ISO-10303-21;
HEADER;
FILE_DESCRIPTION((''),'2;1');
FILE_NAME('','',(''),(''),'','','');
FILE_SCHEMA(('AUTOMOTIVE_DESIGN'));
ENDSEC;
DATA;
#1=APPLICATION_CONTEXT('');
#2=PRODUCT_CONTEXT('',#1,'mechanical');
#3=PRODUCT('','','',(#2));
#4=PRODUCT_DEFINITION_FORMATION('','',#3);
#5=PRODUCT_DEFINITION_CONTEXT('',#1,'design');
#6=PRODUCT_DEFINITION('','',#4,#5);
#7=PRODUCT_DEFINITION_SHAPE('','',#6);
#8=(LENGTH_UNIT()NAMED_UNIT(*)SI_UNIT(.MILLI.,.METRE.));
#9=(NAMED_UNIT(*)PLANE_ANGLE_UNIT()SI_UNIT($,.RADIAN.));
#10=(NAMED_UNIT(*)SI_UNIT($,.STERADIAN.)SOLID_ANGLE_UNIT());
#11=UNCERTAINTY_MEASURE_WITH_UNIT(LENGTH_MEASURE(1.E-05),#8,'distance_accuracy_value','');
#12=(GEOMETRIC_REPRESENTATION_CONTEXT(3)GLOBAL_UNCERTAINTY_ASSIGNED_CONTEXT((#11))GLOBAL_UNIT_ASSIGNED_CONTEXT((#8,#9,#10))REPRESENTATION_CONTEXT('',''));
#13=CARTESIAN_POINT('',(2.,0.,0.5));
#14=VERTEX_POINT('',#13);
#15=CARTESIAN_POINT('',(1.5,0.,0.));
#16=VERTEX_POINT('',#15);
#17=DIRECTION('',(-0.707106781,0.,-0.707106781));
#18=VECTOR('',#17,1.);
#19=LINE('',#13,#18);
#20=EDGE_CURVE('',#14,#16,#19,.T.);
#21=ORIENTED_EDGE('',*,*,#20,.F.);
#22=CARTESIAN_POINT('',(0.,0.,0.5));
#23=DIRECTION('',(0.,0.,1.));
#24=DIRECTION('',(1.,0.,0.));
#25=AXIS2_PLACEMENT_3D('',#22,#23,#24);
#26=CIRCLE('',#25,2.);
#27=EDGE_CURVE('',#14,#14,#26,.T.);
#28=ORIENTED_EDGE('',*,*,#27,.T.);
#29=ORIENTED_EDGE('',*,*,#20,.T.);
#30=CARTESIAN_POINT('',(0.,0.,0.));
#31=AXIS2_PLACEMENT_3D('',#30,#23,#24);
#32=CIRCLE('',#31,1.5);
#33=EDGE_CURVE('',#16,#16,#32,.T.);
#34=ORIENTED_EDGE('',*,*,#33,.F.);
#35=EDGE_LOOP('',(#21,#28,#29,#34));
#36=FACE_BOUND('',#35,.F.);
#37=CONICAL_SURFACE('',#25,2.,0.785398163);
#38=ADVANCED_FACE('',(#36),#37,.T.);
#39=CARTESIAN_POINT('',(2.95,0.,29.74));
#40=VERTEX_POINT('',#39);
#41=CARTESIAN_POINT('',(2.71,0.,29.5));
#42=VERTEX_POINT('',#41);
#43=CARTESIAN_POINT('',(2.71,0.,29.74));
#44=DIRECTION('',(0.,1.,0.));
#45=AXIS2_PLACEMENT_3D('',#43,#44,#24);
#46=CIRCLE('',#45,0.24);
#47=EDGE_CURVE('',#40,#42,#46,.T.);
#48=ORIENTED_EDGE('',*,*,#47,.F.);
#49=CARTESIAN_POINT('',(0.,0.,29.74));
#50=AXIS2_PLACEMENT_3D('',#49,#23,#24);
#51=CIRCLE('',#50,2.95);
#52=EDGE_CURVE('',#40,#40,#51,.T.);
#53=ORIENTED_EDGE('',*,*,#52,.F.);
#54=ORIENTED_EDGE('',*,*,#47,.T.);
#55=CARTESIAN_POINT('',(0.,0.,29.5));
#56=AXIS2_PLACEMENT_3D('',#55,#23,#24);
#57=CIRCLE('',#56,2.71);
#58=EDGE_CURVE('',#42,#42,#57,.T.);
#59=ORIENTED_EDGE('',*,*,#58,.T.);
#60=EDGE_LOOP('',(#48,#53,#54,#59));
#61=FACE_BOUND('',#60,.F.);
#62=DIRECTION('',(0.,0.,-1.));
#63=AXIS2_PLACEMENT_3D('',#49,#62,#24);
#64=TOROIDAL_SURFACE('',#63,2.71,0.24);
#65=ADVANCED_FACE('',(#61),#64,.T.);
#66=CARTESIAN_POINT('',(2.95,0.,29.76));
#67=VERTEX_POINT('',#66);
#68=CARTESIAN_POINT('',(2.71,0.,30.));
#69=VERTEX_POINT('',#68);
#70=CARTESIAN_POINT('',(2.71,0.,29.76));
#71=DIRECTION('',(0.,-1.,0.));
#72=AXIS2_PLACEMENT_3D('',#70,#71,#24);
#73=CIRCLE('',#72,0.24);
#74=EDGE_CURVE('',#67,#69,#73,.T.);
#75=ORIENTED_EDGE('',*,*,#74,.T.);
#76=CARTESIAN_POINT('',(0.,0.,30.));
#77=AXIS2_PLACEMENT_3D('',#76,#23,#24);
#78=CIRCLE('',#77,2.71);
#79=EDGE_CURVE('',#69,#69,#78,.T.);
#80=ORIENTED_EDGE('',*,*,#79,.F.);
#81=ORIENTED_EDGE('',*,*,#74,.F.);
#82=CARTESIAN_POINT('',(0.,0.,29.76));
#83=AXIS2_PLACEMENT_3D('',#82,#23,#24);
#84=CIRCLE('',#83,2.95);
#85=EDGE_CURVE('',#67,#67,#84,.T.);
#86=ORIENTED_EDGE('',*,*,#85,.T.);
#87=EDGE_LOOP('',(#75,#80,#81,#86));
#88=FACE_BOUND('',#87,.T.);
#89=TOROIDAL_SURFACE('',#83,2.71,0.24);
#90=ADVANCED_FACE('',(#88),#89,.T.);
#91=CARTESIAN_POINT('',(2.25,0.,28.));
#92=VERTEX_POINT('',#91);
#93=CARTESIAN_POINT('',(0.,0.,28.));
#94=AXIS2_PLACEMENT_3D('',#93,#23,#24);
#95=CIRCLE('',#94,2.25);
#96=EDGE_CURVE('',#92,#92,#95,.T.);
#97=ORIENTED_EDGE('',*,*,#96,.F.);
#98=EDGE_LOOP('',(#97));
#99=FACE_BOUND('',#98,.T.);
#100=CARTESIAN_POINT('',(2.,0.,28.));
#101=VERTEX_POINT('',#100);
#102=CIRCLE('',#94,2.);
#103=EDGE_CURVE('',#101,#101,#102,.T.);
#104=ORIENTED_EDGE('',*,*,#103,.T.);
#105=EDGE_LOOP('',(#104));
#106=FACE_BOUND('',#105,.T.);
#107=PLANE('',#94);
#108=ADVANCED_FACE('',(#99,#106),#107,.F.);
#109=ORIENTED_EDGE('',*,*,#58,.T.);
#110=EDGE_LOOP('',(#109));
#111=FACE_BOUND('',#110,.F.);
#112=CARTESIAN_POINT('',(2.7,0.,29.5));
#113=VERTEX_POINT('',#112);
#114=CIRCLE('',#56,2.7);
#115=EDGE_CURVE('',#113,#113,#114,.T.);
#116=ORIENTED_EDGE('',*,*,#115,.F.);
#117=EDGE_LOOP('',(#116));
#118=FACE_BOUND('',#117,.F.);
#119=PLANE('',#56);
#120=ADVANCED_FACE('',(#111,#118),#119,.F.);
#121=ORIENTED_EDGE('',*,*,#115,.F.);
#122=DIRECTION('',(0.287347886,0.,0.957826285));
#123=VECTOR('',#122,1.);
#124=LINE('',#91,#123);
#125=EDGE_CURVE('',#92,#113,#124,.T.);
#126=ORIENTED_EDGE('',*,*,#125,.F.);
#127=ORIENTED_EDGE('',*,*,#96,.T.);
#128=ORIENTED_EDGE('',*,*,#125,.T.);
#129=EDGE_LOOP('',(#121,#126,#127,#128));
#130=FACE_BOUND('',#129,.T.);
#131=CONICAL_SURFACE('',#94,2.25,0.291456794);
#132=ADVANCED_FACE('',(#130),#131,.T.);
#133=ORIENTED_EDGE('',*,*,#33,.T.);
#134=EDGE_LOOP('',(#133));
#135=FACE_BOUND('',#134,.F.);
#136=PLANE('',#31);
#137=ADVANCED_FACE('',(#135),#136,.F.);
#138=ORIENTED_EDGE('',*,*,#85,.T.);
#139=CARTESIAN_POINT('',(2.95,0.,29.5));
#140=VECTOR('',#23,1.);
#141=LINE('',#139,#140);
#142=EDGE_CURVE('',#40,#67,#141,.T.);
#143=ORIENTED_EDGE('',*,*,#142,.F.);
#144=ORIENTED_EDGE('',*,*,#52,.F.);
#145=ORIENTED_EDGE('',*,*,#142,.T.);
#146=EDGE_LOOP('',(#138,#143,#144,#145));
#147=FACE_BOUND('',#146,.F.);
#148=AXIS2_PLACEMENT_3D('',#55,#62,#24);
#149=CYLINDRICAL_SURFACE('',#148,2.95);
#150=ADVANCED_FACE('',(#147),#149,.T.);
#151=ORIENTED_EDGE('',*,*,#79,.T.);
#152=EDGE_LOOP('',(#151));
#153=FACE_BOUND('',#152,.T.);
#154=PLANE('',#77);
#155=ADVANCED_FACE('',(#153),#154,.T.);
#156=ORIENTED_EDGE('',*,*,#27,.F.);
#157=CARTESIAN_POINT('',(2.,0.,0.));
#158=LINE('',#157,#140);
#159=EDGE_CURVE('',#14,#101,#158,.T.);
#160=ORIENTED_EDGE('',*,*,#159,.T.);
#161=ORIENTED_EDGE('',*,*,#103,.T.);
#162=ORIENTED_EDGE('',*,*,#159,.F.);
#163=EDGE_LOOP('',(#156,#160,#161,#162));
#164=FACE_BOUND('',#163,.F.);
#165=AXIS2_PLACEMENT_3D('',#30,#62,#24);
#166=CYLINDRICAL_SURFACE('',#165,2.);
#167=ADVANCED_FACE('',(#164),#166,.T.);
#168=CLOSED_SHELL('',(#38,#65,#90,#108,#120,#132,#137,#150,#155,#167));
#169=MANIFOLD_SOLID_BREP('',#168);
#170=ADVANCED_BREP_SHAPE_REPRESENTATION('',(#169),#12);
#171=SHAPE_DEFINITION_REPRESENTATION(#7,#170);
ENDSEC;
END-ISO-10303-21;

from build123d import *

# Parameters (mm, degrees)
SKETCH_R     = 2
PAD_DEPTH    = 28
CHAMFER_SIZE = 0.5
SKETCH001_R  = 2.95
PAD001_DEPTH = 0.5
FILLET_R     = 0.24


with BuildPart() as chamfer_body:
    # Sketch → Pad (new body)
    with BuildSketch(Plane.XY):
        Circle(SKETCH_R)
    extrude(amount=PAD_DEPTH)

    # Chamfer
    chamfer_edges = [chamfer_body.edges().sort_by_distance(p)[0] for p in [
        (-2, 0, 0),
    ]]
    chamfer(chamfer_edges, length=CHAMFER_SIZE)


with BuildPart() as fillet_body:
    # Cone → Cone (revolve)
    with BuildSketch(Plane(origin=(0, 0, 28), x_dir=(1, 0, 0), z_dir=(0, -1, 0))):
        Polygon((0, 0), (2.25, 0), (2.7, 1.5), (0, 1.5), align=None)
    revolve(axis=Axis((0, 0, 28), (0, 0, 1)))

    # Fusion: union Chamfer body
    add(chamfer_body.part)

    # Sketch001 → Pad001 (new body)
    with BuildSketch(Plane.XY.offset(29.5)):
        Circle(SKETCH001_R)
    extrude(amount=PAD001_DEPTH)

    # Fillet
    fillet_edges = [fillet_body.edges().sort_by_distance(p)[0] for p in [
        (-2.95, 0, 29.5),
        (-2.95, 0, 30),
    ]]
    fillet(fillet_edges, radius=FILLET_R)


solid = fillet_body.part
